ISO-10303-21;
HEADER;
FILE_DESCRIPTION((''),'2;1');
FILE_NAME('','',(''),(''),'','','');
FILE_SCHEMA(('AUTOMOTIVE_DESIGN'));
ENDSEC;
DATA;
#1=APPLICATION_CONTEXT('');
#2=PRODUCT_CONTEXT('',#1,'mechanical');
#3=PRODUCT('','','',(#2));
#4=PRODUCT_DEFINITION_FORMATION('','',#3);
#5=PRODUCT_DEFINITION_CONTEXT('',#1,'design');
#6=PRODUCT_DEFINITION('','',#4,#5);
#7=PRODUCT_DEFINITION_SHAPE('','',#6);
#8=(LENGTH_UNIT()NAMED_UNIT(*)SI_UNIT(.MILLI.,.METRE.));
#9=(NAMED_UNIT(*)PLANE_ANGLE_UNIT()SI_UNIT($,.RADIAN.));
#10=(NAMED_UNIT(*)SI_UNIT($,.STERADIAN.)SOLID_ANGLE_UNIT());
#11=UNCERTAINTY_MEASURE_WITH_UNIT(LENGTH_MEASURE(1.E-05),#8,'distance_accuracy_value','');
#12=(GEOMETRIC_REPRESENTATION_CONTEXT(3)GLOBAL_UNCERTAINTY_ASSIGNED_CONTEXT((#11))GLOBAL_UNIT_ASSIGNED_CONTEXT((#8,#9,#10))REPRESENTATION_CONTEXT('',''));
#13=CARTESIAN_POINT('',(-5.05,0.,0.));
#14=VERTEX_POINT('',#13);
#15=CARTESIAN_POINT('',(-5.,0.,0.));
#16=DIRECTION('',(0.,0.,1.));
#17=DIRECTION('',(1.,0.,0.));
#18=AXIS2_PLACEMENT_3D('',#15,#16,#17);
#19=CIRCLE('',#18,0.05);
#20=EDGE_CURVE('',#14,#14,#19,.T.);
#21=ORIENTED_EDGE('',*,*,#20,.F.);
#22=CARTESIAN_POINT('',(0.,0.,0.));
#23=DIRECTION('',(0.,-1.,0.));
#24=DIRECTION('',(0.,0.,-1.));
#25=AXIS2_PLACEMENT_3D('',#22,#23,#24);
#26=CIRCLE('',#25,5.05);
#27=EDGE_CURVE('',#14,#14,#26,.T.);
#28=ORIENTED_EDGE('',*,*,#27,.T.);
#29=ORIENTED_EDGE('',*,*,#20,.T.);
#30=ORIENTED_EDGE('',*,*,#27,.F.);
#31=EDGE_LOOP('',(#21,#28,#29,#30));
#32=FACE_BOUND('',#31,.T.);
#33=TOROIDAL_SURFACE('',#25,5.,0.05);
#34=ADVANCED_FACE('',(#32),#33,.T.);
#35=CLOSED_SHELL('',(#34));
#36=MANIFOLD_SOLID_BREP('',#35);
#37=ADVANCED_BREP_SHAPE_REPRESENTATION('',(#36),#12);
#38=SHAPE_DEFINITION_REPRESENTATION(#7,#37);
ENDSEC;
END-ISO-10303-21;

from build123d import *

# Parameters (mm, degrees)
SKETCH5_R = 0.05


with BuildPart() as part:
    # Sweep1: sweep along a path in Sketch1
    with BuildLine(Plane(origin=(0, 0, 0), x_dir=(1, 0, 0), z_dir=(0, 1, 0))) as sweep1_path:
        CenterArc((0, 0), 5, 0, 360)
    # Sketch5 → Sweep1 (sweep)
    with BuildSketch(Plane.XY):
        with Locations((-5, 0)):
            Circle(SKETCH5_R)
    sweep(path=sweep1_path.line)


solid = part.part
